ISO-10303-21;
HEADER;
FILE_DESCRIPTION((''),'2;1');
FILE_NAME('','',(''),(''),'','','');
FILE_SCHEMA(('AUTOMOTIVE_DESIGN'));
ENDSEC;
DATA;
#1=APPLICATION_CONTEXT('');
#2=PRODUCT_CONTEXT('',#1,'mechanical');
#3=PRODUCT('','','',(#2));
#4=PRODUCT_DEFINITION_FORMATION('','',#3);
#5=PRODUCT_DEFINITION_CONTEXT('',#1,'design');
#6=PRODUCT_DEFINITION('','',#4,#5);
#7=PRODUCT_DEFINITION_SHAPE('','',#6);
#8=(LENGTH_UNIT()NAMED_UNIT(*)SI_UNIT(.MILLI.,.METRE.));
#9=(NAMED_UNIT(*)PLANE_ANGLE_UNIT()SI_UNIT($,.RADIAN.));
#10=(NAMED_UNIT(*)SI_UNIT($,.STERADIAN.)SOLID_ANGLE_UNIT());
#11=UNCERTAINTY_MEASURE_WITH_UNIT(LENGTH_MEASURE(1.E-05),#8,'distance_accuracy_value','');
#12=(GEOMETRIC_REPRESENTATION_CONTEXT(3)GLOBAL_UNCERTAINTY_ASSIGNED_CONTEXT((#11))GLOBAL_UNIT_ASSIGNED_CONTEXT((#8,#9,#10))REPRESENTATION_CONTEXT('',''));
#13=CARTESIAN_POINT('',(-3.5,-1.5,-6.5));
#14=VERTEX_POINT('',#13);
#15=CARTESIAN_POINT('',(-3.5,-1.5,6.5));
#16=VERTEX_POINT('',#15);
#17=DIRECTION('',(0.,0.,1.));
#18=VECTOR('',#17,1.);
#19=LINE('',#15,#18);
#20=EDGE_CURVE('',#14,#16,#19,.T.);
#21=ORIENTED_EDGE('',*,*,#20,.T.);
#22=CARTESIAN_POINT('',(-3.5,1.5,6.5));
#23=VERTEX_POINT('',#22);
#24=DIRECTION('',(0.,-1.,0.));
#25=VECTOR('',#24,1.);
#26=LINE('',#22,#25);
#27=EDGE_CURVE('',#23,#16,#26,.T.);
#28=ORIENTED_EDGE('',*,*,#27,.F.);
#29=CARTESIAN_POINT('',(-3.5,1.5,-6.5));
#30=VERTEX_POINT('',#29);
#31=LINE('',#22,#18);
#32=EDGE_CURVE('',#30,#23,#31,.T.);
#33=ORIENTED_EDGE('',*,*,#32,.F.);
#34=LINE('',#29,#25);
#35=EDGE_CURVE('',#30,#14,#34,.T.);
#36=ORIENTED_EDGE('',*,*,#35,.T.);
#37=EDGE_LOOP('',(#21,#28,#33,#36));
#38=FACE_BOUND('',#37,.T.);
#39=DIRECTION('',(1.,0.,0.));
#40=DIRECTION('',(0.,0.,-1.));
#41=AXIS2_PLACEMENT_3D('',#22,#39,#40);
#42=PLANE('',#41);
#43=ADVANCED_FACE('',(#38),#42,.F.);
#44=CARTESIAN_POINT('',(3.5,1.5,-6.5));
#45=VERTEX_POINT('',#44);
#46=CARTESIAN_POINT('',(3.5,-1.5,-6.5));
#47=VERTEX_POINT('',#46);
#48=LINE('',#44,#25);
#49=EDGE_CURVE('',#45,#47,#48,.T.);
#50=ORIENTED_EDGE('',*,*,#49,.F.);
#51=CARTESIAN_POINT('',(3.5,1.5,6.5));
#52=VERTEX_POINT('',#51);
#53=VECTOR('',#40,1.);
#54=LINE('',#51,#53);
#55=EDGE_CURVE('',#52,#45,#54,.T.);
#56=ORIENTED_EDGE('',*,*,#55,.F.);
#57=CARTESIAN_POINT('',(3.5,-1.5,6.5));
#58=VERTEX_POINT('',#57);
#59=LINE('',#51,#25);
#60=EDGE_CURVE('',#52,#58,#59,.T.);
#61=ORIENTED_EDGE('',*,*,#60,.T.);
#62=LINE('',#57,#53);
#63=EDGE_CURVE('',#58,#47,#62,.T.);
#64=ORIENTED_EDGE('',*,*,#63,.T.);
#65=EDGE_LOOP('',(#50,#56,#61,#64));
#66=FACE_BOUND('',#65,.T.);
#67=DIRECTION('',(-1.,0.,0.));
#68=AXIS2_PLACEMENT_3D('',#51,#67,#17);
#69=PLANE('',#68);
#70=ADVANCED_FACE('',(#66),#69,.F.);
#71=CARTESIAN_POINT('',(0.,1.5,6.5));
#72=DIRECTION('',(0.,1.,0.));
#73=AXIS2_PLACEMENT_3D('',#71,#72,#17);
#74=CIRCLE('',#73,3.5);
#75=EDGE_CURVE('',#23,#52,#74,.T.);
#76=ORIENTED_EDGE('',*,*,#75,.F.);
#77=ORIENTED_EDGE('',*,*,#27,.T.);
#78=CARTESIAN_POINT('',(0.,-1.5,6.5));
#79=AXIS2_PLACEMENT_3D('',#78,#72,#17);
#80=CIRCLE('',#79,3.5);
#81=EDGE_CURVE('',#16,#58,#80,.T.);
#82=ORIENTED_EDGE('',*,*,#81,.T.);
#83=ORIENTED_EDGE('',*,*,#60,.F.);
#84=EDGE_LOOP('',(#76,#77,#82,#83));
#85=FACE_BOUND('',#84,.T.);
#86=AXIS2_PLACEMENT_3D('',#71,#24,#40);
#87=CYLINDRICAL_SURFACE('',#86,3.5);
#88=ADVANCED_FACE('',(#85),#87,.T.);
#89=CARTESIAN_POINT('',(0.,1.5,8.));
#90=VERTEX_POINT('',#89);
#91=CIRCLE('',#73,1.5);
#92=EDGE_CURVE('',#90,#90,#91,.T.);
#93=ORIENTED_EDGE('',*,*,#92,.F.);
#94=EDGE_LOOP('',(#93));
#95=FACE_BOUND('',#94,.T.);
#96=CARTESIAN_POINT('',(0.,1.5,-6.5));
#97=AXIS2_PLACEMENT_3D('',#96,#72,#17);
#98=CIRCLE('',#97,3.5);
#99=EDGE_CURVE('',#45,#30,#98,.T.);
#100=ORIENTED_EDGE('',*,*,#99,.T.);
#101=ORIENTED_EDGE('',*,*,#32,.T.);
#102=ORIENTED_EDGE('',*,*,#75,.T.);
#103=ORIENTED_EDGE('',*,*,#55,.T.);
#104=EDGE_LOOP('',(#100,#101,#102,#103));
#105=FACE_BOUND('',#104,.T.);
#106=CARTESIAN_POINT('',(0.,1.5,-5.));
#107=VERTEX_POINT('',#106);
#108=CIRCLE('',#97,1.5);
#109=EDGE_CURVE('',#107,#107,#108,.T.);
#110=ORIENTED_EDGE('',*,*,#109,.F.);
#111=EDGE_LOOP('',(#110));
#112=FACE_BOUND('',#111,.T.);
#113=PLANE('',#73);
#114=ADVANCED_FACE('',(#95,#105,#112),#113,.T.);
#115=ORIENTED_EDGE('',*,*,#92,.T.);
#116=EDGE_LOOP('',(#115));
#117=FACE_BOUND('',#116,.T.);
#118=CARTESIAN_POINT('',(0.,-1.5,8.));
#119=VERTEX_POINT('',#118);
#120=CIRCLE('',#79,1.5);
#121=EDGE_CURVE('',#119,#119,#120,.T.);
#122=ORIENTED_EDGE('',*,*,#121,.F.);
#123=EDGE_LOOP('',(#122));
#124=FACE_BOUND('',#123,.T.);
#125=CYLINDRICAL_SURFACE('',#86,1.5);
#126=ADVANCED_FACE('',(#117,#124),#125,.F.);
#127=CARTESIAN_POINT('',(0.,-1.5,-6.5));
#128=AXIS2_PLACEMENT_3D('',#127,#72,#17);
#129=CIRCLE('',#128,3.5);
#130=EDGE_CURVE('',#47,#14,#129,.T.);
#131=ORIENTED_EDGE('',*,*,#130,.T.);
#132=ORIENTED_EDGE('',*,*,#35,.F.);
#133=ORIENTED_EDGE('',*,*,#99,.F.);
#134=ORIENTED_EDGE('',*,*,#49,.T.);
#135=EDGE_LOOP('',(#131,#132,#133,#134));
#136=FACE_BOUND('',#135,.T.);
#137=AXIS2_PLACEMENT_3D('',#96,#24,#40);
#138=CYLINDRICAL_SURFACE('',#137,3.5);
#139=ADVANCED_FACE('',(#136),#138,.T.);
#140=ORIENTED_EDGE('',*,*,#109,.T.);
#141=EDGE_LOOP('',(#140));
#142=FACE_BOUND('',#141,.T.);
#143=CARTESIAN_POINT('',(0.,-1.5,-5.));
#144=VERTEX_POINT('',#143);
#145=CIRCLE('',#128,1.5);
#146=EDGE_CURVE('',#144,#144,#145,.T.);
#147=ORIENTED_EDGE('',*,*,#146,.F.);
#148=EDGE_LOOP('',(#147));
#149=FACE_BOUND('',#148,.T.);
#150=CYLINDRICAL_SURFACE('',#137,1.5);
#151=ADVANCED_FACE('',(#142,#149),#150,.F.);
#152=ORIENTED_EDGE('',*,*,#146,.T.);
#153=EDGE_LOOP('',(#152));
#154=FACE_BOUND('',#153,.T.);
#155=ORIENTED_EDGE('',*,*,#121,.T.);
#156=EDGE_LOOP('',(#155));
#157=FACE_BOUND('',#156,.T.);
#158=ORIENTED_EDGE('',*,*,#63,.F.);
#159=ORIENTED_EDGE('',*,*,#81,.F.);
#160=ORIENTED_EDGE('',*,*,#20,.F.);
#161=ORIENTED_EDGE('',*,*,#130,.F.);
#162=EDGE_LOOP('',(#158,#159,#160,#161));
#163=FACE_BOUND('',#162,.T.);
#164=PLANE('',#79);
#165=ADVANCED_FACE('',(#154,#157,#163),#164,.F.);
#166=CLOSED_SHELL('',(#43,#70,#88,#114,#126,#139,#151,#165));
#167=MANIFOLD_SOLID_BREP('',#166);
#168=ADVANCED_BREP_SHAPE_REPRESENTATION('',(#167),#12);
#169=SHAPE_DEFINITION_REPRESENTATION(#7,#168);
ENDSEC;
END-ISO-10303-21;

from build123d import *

# Parameters (mm, degrees)
SKETCH1_R           = 1.5
BOSS_EXTRUDE1_DEPTH = 1.5


with BuildPart() as part:
    # Sketch1 → Boss-Extrude1 (new body, symmetric)
    with BuildSketch(Plane(origin=(0, 0, 0), x_dir=(1, 0, 0), z_dir=(0, 1, 0))):
        with BuildLine():
            Line((-3.5, -6.5), (-3.5, 6.5))
            ThreePointArc((-3.5, 6.5), (0, 10), (3.5, 6.5))
            Line((3.5, 6.5), (3.5, -6.5))
            ThreePointArc((3.5, -6.5), (0, -10), (-3.5, -6.5))
        make_face()
        with Locations((0, 6.5)):
            Circle(SKETCH1_R, mode=Mode.SUBTRACT)
        with Locations((0, -6.5)):
            Circle(SKETCH1_R, mode=Mode.SUBTRACT)
    extrude(amount=BOSS_EXTRUDE1_DEPTH, both=True)


solid = part.part
